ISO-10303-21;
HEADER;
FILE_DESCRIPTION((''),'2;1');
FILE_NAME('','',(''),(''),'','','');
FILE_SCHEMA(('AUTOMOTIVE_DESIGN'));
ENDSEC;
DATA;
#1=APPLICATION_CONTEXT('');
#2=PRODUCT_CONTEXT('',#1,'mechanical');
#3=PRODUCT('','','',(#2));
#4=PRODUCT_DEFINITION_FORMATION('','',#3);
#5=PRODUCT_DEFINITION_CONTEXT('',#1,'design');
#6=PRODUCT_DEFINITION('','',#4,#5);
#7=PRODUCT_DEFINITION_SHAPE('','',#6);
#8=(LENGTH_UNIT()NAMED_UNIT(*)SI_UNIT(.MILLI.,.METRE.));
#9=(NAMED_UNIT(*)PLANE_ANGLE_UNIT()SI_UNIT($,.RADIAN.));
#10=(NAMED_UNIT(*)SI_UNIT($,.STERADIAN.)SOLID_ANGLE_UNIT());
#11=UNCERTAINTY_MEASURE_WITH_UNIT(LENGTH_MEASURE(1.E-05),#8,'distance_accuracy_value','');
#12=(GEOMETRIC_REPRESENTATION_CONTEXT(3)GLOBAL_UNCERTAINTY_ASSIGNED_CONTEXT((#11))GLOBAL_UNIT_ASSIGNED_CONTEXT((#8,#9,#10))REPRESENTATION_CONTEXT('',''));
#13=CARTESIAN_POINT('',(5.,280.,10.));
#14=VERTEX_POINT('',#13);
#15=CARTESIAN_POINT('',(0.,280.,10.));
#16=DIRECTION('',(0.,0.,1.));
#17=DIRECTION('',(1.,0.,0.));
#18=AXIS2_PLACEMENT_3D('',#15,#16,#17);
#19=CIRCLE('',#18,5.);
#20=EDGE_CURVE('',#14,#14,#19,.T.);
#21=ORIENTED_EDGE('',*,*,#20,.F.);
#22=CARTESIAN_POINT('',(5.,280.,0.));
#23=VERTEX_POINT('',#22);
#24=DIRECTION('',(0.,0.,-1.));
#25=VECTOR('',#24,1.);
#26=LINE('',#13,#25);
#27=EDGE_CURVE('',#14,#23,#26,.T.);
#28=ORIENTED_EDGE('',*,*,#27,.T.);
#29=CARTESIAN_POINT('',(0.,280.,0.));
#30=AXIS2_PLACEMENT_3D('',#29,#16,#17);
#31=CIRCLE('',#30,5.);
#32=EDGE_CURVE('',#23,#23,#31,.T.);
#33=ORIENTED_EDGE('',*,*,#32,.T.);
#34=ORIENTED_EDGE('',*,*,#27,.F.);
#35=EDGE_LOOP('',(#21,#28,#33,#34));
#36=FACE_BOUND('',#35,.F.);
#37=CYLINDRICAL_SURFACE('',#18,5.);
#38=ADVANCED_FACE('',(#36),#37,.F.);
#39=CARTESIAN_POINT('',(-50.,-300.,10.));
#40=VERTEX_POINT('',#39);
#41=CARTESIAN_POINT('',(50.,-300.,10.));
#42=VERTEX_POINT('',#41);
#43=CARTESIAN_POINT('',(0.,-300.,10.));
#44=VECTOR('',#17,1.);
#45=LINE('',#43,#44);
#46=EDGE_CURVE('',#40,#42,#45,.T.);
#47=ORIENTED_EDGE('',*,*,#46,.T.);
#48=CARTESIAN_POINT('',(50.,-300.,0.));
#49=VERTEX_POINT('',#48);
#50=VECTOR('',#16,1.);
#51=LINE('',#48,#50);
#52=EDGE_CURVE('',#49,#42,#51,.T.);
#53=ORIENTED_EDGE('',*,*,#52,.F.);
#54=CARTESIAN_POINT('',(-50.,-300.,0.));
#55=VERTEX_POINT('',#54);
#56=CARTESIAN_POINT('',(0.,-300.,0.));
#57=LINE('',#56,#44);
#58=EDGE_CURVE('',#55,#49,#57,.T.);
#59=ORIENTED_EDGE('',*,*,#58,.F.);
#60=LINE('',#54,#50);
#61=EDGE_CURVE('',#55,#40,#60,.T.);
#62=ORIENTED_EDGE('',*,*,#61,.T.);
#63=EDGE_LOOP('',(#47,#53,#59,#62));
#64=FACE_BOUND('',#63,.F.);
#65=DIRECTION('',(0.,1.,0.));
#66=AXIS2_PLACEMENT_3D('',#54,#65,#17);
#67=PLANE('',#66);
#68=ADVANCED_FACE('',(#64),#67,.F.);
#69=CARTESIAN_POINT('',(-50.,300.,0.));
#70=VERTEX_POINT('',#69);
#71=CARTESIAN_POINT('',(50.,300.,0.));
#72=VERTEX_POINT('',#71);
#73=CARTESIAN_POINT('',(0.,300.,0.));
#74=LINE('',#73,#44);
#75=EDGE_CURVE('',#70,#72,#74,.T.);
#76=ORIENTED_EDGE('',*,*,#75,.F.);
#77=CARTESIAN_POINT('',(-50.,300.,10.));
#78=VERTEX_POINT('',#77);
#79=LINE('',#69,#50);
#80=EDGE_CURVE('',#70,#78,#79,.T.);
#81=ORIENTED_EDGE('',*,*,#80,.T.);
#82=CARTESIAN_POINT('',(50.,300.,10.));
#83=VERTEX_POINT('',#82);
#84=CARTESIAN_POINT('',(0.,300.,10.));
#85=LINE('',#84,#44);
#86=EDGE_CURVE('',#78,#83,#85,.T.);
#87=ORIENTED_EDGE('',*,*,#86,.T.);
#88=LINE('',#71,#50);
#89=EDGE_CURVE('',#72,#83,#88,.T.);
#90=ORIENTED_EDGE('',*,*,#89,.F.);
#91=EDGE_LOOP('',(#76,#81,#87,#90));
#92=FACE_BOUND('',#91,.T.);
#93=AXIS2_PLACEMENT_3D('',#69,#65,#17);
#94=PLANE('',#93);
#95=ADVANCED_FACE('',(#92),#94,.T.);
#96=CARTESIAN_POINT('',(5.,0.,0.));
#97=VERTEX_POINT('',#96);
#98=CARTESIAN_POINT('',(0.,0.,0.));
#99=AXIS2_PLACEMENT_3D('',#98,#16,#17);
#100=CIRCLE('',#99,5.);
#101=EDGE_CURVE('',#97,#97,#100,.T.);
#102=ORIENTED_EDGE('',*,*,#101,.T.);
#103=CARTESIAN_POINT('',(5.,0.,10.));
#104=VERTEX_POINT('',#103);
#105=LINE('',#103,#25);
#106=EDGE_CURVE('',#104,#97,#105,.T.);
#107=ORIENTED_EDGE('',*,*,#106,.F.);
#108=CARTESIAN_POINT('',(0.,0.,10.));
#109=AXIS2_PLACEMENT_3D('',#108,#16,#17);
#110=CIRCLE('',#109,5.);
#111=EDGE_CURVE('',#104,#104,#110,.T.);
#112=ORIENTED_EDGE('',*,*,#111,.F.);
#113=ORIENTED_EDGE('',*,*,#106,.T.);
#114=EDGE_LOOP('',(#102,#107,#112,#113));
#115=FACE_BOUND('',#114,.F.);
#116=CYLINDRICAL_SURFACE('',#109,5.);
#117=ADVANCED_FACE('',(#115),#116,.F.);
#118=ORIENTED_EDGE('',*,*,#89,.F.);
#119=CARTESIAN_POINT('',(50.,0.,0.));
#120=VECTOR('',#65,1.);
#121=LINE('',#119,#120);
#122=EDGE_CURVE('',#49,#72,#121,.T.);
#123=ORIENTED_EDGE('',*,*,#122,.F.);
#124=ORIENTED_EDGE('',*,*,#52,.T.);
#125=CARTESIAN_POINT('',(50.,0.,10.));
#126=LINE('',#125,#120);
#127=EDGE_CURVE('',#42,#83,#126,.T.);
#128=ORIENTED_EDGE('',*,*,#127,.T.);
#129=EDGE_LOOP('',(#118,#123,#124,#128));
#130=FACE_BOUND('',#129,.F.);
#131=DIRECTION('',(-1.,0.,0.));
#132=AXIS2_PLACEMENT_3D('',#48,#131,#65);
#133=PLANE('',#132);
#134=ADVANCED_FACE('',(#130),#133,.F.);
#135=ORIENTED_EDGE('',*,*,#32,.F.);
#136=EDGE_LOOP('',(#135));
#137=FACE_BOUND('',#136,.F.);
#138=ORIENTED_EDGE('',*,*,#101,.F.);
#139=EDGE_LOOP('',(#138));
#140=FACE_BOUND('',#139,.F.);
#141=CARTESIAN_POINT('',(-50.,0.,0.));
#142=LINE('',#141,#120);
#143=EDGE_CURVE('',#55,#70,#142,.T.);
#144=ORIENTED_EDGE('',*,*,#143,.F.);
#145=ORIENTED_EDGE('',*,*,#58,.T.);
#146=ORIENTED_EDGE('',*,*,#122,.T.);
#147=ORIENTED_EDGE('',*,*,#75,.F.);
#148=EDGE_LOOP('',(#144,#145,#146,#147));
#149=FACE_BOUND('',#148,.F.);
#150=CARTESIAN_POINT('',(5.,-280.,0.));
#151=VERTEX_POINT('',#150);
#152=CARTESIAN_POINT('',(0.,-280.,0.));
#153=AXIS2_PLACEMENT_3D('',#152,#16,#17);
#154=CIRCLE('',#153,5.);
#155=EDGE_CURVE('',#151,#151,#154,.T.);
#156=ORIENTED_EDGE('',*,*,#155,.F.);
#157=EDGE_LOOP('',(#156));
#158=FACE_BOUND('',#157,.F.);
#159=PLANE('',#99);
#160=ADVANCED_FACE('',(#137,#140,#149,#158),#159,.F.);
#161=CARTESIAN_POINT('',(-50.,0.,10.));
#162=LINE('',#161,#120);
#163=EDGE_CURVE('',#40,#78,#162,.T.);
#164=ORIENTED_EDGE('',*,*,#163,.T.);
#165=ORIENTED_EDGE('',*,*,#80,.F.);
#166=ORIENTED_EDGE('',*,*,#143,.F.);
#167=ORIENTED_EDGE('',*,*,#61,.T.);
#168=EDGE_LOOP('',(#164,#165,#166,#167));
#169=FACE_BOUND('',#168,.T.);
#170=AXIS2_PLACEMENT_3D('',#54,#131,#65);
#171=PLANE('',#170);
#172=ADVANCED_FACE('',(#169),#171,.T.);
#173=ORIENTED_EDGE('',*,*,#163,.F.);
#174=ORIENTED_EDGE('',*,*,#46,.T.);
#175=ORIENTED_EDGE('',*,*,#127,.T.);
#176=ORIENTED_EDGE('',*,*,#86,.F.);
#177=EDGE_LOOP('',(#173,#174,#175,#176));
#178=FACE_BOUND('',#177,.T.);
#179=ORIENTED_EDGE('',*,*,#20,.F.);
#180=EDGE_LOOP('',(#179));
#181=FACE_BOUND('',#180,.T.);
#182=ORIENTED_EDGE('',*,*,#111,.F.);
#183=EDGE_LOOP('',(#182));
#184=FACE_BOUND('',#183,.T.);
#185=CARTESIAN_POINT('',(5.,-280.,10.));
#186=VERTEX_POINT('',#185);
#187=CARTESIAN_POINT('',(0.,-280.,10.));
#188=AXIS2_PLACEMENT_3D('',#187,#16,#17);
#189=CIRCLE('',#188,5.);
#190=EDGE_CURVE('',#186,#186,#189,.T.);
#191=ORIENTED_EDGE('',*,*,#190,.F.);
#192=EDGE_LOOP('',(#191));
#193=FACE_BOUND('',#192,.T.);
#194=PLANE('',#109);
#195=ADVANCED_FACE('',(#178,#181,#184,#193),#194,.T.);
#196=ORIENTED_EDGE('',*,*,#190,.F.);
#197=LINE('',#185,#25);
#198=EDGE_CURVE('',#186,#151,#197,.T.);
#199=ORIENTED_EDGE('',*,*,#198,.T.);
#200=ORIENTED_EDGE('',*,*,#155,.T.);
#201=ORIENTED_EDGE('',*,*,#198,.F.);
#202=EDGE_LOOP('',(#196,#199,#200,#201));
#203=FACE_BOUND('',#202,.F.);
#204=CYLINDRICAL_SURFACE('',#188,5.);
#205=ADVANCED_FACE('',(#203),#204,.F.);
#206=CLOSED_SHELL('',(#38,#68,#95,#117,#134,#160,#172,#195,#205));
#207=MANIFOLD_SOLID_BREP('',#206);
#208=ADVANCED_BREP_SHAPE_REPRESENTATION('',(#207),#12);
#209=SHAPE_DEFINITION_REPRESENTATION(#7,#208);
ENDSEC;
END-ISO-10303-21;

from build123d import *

# Parameters (mm, degrees)
F0_W     = 100
F0_H     = 600
F1_DEPTH = 10
F2_R     = 5
F3_DEPTH = 25


with BuildPart() as f1:
    # F0 (on Top) → F1 (new body)
    with BuildSketch(Plane.XY):
        Rectangle(F0_W, F0_H)
    extrude(amount=F1_DEPTH)

    # F2 (on face) → F3 (cut)
    with BuildSketch(Plane.XY.offset(10)):
        with Locations((0, 280)):
            Circle(F2_R)
        Circle(F2_R)
        with Locations((0, -280)):
            Circle(F2_R)
    extrude(amount=-F3_DEPTH, mode=Mode.SUBTRACT)


solid = f1.part
